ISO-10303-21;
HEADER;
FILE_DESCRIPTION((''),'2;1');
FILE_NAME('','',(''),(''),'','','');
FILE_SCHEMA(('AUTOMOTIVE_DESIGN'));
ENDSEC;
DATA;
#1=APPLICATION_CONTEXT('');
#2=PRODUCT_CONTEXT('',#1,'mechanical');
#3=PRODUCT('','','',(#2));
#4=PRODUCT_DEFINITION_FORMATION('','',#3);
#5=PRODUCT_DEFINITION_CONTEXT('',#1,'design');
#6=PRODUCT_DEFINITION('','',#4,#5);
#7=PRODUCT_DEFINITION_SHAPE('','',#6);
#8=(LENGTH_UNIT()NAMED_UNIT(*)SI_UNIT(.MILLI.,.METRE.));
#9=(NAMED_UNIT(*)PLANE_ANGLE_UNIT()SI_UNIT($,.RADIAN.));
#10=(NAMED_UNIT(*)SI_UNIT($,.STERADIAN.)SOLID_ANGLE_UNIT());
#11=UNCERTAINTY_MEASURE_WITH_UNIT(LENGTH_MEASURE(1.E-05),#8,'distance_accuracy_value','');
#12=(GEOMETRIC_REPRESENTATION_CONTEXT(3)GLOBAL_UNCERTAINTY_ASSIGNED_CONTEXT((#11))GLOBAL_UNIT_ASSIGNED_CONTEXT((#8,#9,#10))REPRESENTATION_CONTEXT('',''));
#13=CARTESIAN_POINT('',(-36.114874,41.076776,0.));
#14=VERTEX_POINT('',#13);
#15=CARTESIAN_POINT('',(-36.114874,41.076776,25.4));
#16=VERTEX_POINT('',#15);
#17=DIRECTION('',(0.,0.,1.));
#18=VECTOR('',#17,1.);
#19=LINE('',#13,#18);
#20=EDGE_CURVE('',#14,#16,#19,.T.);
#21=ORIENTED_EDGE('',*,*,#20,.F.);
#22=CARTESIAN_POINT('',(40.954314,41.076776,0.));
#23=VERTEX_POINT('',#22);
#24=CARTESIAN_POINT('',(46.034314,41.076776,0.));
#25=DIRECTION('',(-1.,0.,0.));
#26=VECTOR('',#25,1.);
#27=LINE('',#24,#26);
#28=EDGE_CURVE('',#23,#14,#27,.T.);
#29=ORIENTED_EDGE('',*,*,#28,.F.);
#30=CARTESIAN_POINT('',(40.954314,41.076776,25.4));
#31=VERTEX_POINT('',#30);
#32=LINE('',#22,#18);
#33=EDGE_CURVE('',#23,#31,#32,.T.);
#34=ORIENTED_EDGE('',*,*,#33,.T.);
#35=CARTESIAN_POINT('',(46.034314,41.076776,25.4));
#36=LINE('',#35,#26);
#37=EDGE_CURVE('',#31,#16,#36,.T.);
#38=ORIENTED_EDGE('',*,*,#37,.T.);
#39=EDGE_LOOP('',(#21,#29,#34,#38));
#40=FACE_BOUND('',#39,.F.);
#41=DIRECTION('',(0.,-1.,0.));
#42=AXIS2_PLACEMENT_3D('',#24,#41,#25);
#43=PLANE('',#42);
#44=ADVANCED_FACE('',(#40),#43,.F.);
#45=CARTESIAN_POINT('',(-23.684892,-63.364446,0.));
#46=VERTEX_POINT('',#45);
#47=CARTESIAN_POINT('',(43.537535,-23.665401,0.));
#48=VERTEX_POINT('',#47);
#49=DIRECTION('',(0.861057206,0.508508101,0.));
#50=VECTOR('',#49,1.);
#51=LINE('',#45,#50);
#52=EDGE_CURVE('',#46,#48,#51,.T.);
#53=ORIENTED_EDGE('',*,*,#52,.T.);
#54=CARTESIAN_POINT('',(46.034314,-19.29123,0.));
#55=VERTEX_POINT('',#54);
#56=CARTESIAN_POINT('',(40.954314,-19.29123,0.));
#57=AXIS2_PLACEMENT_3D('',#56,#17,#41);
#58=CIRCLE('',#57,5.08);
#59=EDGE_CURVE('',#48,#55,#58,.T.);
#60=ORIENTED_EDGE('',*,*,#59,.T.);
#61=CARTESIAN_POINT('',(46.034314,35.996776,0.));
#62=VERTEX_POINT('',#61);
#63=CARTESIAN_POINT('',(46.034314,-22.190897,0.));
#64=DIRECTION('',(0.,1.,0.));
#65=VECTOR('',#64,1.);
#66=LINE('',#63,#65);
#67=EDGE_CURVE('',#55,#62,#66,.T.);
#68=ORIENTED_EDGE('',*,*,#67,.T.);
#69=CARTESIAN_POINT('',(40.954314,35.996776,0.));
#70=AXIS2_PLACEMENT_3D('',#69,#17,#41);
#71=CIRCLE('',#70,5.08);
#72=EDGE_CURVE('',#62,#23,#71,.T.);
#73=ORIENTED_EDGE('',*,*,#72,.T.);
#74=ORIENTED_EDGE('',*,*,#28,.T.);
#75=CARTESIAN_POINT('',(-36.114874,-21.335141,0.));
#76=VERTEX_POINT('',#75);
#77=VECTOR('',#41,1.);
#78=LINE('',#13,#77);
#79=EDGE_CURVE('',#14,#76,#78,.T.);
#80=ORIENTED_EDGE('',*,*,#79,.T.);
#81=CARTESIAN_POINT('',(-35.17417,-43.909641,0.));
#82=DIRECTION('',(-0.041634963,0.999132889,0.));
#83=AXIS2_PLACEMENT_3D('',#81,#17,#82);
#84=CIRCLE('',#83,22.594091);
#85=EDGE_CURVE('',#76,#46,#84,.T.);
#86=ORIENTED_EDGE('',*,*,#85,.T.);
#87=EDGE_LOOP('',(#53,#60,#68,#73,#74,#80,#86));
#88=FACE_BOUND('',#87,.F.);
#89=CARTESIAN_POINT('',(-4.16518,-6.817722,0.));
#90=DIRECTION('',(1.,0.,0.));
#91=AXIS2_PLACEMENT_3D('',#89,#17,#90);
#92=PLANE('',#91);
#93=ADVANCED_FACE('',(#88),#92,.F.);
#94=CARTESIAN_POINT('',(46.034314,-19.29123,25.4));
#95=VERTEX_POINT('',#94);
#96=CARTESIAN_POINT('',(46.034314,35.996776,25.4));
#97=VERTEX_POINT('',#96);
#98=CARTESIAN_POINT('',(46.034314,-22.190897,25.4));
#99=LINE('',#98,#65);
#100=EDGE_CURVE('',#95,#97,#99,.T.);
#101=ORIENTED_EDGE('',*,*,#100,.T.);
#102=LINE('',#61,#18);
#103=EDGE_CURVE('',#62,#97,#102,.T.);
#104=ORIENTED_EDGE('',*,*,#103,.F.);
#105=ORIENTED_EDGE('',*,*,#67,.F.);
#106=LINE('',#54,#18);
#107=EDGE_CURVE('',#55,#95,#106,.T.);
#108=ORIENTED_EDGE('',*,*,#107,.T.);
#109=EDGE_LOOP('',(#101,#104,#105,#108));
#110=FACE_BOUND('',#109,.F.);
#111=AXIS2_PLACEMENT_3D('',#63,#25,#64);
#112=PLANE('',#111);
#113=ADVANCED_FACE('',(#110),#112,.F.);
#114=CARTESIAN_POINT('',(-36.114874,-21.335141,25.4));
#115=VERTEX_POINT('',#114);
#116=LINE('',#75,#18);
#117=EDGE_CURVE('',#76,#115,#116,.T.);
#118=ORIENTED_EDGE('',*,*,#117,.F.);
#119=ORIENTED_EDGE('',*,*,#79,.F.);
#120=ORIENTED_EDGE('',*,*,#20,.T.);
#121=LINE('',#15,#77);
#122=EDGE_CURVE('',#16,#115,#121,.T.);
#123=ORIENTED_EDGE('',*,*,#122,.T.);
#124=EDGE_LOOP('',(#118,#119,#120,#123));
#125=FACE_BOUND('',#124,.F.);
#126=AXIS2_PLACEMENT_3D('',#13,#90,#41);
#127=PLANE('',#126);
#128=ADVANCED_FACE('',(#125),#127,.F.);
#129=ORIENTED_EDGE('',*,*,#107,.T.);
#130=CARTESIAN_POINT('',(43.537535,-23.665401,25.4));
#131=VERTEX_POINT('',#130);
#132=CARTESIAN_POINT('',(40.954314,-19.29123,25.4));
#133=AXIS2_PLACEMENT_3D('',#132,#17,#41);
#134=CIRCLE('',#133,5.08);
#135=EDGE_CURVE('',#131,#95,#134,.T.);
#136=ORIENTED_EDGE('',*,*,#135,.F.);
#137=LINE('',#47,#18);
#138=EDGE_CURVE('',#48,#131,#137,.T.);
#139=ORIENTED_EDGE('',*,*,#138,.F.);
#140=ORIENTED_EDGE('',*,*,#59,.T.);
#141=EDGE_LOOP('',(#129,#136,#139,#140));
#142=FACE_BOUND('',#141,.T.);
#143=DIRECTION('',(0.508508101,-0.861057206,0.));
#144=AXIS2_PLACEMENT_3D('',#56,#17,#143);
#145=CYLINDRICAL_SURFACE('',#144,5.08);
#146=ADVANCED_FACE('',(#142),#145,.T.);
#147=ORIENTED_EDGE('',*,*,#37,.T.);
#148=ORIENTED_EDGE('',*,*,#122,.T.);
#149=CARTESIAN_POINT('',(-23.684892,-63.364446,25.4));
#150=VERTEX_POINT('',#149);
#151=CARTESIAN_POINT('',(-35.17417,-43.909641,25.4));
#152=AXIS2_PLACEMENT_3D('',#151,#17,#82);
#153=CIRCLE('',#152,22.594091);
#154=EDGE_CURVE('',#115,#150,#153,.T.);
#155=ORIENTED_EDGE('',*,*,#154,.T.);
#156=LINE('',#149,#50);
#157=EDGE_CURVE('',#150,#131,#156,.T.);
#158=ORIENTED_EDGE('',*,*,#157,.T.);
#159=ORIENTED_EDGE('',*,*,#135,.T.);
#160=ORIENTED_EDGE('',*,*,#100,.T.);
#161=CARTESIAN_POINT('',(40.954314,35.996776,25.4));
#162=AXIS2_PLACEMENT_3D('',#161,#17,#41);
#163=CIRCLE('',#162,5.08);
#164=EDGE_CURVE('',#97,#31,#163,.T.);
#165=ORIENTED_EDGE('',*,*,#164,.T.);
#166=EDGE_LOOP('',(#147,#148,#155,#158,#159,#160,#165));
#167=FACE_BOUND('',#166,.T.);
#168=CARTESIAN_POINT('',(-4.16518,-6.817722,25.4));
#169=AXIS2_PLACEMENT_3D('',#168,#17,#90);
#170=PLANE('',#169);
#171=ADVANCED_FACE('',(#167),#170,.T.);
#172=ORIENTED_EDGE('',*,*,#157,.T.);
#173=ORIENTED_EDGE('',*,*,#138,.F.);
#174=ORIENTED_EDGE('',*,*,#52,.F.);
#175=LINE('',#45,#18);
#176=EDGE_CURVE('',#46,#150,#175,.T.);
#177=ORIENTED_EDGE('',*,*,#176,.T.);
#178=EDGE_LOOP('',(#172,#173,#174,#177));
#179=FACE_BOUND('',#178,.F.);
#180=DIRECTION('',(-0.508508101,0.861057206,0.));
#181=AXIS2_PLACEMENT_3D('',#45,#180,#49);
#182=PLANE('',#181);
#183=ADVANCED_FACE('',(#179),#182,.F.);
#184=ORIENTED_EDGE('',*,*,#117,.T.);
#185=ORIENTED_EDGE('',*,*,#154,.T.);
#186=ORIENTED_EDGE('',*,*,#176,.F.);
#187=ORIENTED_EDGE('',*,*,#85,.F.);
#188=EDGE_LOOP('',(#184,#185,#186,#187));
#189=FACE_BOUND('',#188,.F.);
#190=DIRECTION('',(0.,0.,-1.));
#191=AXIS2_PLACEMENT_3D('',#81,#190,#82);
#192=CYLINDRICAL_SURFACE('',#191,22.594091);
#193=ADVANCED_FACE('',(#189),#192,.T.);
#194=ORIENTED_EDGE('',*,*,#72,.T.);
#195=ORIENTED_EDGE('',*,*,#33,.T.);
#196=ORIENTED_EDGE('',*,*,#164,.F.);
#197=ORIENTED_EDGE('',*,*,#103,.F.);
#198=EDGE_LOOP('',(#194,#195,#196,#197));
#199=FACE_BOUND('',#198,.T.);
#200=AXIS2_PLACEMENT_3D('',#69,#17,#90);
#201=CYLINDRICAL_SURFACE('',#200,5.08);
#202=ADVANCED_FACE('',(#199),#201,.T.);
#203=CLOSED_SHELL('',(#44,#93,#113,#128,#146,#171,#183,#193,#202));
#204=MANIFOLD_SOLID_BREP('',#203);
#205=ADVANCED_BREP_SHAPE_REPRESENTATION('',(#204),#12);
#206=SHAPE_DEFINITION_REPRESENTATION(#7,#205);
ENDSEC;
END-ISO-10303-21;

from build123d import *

# Parameters (mm, degrees)
F1_DEPTH = 25.4
F2_R     = 5.08
F3_R     = 5.08


with BuildPart() as f1:
    # F0 (on Top) → F1 (new body)
    with BuildSketch(Plane.XY):
        with BuildLine():
            Line((-36.114874, 41.076776), (-36.114874, -21.335141))
            ThreePointArc((-36.114874, -21.335141), (-56.840589, -50.317389), (-23.684892, -63.364446))
            Line((-23.684892, -63.364446), (46.034314, -22.190897))
            Line((46.034314, -22.190897), (46.034314, 41.076776))
            Line((46.034314, 41.076776), (-36.114874, 41.076776))
        make_face()
    extrude(amount=F1_DEPTH)

    # F2
    f2_edges = [f1.edges().sort_by_distance(p)[0] for p in [
        (46.034314, -22.190897, 12.7),
    ]]
    fillet(f2_edges, radius=F2_R)

    # F3
    f3_edges = [f1.edges().sort_by_distance(p)[0] for p in [
        (46.034314, 41.076776, 12.7),
    ]]
    fillet(f3_edges, radius=F3_R)


solid = f1.part
